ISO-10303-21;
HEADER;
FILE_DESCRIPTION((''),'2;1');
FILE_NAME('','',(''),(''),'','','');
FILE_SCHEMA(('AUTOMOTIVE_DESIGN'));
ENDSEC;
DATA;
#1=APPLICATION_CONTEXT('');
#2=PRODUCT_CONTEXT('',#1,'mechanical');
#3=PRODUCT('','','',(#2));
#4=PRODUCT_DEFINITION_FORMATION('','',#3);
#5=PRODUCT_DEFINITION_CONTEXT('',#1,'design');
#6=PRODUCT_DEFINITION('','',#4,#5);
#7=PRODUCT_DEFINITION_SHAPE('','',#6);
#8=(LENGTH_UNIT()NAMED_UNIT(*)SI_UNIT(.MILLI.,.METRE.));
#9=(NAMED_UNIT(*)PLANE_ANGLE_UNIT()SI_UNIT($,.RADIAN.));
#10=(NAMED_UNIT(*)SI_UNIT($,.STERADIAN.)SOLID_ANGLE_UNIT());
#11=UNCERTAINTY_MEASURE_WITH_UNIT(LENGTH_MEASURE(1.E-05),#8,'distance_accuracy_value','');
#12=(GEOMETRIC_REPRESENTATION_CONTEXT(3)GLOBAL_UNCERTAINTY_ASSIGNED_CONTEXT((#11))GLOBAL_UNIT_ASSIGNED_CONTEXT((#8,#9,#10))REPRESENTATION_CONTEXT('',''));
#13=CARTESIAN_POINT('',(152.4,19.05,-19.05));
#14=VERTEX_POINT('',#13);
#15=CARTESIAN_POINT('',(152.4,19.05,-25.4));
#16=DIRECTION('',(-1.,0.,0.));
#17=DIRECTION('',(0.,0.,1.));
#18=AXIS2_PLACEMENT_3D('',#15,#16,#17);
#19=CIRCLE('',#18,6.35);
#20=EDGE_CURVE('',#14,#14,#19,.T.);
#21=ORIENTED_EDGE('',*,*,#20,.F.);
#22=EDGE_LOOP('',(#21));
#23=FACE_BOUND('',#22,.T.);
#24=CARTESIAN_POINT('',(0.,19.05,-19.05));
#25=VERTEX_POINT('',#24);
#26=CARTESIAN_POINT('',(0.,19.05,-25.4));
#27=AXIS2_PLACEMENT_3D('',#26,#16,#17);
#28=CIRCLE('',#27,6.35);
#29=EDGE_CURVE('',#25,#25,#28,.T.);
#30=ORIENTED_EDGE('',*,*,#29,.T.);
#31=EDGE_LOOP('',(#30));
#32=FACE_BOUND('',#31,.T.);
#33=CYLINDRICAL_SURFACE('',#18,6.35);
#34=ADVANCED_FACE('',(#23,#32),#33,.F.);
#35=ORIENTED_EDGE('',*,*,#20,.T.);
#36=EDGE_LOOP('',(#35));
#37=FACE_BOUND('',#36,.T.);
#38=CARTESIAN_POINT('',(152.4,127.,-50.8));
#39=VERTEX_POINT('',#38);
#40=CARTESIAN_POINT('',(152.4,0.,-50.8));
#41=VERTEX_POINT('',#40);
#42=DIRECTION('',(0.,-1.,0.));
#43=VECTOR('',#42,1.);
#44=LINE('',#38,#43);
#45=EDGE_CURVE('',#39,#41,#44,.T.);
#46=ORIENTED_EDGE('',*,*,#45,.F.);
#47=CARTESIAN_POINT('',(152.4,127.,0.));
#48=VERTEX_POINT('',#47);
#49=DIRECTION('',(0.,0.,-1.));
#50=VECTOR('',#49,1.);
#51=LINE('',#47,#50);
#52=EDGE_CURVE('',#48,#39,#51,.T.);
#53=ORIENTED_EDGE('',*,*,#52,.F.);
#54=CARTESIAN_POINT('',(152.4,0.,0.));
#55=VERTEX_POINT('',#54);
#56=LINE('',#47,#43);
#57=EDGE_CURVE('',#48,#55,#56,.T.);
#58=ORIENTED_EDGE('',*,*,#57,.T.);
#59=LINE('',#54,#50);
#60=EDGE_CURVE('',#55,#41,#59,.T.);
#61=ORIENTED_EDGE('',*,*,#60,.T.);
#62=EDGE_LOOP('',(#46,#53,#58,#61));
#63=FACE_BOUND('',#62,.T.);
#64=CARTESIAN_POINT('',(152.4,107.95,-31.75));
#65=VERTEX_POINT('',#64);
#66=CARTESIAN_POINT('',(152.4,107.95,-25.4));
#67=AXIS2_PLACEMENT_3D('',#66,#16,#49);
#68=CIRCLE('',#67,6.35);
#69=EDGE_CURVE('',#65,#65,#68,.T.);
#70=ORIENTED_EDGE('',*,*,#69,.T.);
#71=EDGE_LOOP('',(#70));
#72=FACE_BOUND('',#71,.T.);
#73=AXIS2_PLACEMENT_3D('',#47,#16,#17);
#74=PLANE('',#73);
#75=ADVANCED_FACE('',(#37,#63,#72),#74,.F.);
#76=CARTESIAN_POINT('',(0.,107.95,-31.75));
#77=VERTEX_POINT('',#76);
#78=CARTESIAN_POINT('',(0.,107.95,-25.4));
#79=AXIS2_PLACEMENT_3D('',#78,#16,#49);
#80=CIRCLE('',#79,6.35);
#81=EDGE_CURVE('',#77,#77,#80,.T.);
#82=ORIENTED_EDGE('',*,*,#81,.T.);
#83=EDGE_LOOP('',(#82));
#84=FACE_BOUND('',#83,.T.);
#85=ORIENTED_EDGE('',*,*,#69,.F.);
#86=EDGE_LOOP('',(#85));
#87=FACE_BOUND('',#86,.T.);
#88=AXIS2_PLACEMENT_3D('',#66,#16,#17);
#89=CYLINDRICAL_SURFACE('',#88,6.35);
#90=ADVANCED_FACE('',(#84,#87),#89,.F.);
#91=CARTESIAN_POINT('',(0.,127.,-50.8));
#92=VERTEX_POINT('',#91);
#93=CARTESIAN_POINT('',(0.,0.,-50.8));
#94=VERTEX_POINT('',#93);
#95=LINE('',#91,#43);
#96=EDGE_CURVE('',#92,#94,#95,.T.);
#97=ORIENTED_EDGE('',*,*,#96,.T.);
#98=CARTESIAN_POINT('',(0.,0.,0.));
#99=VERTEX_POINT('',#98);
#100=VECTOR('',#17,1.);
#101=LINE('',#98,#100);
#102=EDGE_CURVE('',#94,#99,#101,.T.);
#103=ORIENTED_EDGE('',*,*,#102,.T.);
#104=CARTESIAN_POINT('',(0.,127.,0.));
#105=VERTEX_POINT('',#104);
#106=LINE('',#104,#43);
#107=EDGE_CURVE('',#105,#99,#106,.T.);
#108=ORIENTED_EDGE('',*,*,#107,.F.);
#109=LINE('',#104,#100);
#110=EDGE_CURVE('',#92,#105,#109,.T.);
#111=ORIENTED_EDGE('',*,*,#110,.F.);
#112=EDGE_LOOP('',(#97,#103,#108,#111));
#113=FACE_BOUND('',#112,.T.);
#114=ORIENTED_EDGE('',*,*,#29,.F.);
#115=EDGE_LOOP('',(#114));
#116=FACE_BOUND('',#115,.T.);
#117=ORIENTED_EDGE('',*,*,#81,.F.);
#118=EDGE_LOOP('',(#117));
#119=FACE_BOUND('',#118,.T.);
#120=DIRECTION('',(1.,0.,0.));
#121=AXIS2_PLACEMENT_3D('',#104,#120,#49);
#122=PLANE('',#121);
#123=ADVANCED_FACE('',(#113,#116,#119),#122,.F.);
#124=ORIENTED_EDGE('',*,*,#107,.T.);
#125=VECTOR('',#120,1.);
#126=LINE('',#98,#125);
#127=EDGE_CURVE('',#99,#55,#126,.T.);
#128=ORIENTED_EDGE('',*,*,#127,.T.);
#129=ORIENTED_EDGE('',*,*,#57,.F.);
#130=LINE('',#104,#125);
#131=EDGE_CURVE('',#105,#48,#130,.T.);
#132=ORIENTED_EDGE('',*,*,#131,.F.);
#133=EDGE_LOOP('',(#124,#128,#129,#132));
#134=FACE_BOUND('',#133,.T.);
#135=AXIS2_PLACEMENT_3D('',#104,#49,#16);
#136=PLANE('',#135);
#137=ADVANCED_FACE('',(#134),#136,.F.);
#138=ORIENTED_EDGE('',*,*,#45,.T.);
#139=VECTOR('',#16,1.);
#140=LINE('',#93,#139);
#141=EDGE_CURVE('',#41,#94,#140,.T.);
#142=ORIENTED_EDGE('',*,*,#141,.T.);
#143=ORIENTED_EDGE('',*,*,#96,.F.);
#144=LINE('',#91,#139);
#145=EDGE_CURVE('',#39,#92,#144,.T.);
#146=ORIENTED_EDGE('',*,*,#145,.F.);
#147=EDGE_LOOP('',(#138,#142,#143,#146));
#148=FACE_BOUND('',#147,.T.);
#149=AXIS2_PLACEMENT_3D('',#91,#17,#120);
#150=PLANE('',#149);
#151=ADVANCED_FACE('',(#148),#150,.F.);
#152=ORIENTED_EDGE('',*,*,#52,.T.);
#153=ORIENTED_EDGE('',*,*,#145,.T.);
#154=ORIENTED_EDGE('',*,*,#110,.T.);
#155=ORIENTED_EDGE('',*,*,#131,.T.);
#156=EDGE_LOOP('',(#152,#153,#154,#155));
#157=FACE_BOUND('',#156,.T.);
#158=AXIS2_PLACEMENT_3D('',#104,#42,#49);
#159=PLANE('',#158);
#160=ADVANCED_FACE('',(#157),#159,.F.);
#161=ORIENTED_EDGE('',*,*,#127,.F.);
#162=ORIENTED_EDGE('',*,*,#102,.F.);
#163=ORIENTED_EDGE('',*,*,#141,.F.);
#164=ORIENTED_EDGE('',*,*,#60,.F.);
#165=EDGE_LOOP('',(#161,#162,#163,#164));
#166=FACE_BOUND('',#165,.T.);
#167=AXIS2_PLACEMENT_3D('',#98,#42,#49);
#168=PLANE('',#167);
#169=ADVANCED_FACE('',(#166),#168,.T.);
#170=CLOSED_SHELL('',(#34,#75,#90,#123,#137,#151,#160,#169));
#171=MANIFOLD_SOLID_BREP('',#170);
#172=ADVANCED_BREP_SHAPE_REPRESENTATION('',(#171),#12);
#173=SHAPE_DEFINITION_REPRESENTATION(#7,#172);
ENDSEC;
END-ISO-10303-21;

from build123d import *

# Parameters (mm, degrees)
SKETCH1_W           = 152.4
SKETCH1_H           = 50.8
BOSS_EXTRUDE1_DEPTH = 127
SKETCH3_R           = 6.35
CUT_EXTRUDE1_DEPTH  = 153.4


with BuildPart() as part:
    # Sketch1 → Boss-Extrude1 (new body)
    with BuildSketch(Plane(origin=(0, 0, 0), x_dir=(1, 0, 0), z_dir=(0, 1, 0))):
        with Locations((76.2, 25.4)):
            Rectangle(SKETCH1_W, SKETCH1_H)
    extrude(amount=BOSS_EXTRUDE1_DEPTH)

    # Sketch3 → Cut-Extrude1 (cut, through all)
    with BuildSketch(Plane.ZY):
        with Locations((-25.4, 19.05)):
            Circle(SKETCH3_R)
        with Locations((-25.4, 107.95)):
            Circle(SKETCH3_R)
    extrude(amount=-CUT_EXTRUDE1_DEPTH, mode=Mode.SUBTRACT)


solid = part.part
